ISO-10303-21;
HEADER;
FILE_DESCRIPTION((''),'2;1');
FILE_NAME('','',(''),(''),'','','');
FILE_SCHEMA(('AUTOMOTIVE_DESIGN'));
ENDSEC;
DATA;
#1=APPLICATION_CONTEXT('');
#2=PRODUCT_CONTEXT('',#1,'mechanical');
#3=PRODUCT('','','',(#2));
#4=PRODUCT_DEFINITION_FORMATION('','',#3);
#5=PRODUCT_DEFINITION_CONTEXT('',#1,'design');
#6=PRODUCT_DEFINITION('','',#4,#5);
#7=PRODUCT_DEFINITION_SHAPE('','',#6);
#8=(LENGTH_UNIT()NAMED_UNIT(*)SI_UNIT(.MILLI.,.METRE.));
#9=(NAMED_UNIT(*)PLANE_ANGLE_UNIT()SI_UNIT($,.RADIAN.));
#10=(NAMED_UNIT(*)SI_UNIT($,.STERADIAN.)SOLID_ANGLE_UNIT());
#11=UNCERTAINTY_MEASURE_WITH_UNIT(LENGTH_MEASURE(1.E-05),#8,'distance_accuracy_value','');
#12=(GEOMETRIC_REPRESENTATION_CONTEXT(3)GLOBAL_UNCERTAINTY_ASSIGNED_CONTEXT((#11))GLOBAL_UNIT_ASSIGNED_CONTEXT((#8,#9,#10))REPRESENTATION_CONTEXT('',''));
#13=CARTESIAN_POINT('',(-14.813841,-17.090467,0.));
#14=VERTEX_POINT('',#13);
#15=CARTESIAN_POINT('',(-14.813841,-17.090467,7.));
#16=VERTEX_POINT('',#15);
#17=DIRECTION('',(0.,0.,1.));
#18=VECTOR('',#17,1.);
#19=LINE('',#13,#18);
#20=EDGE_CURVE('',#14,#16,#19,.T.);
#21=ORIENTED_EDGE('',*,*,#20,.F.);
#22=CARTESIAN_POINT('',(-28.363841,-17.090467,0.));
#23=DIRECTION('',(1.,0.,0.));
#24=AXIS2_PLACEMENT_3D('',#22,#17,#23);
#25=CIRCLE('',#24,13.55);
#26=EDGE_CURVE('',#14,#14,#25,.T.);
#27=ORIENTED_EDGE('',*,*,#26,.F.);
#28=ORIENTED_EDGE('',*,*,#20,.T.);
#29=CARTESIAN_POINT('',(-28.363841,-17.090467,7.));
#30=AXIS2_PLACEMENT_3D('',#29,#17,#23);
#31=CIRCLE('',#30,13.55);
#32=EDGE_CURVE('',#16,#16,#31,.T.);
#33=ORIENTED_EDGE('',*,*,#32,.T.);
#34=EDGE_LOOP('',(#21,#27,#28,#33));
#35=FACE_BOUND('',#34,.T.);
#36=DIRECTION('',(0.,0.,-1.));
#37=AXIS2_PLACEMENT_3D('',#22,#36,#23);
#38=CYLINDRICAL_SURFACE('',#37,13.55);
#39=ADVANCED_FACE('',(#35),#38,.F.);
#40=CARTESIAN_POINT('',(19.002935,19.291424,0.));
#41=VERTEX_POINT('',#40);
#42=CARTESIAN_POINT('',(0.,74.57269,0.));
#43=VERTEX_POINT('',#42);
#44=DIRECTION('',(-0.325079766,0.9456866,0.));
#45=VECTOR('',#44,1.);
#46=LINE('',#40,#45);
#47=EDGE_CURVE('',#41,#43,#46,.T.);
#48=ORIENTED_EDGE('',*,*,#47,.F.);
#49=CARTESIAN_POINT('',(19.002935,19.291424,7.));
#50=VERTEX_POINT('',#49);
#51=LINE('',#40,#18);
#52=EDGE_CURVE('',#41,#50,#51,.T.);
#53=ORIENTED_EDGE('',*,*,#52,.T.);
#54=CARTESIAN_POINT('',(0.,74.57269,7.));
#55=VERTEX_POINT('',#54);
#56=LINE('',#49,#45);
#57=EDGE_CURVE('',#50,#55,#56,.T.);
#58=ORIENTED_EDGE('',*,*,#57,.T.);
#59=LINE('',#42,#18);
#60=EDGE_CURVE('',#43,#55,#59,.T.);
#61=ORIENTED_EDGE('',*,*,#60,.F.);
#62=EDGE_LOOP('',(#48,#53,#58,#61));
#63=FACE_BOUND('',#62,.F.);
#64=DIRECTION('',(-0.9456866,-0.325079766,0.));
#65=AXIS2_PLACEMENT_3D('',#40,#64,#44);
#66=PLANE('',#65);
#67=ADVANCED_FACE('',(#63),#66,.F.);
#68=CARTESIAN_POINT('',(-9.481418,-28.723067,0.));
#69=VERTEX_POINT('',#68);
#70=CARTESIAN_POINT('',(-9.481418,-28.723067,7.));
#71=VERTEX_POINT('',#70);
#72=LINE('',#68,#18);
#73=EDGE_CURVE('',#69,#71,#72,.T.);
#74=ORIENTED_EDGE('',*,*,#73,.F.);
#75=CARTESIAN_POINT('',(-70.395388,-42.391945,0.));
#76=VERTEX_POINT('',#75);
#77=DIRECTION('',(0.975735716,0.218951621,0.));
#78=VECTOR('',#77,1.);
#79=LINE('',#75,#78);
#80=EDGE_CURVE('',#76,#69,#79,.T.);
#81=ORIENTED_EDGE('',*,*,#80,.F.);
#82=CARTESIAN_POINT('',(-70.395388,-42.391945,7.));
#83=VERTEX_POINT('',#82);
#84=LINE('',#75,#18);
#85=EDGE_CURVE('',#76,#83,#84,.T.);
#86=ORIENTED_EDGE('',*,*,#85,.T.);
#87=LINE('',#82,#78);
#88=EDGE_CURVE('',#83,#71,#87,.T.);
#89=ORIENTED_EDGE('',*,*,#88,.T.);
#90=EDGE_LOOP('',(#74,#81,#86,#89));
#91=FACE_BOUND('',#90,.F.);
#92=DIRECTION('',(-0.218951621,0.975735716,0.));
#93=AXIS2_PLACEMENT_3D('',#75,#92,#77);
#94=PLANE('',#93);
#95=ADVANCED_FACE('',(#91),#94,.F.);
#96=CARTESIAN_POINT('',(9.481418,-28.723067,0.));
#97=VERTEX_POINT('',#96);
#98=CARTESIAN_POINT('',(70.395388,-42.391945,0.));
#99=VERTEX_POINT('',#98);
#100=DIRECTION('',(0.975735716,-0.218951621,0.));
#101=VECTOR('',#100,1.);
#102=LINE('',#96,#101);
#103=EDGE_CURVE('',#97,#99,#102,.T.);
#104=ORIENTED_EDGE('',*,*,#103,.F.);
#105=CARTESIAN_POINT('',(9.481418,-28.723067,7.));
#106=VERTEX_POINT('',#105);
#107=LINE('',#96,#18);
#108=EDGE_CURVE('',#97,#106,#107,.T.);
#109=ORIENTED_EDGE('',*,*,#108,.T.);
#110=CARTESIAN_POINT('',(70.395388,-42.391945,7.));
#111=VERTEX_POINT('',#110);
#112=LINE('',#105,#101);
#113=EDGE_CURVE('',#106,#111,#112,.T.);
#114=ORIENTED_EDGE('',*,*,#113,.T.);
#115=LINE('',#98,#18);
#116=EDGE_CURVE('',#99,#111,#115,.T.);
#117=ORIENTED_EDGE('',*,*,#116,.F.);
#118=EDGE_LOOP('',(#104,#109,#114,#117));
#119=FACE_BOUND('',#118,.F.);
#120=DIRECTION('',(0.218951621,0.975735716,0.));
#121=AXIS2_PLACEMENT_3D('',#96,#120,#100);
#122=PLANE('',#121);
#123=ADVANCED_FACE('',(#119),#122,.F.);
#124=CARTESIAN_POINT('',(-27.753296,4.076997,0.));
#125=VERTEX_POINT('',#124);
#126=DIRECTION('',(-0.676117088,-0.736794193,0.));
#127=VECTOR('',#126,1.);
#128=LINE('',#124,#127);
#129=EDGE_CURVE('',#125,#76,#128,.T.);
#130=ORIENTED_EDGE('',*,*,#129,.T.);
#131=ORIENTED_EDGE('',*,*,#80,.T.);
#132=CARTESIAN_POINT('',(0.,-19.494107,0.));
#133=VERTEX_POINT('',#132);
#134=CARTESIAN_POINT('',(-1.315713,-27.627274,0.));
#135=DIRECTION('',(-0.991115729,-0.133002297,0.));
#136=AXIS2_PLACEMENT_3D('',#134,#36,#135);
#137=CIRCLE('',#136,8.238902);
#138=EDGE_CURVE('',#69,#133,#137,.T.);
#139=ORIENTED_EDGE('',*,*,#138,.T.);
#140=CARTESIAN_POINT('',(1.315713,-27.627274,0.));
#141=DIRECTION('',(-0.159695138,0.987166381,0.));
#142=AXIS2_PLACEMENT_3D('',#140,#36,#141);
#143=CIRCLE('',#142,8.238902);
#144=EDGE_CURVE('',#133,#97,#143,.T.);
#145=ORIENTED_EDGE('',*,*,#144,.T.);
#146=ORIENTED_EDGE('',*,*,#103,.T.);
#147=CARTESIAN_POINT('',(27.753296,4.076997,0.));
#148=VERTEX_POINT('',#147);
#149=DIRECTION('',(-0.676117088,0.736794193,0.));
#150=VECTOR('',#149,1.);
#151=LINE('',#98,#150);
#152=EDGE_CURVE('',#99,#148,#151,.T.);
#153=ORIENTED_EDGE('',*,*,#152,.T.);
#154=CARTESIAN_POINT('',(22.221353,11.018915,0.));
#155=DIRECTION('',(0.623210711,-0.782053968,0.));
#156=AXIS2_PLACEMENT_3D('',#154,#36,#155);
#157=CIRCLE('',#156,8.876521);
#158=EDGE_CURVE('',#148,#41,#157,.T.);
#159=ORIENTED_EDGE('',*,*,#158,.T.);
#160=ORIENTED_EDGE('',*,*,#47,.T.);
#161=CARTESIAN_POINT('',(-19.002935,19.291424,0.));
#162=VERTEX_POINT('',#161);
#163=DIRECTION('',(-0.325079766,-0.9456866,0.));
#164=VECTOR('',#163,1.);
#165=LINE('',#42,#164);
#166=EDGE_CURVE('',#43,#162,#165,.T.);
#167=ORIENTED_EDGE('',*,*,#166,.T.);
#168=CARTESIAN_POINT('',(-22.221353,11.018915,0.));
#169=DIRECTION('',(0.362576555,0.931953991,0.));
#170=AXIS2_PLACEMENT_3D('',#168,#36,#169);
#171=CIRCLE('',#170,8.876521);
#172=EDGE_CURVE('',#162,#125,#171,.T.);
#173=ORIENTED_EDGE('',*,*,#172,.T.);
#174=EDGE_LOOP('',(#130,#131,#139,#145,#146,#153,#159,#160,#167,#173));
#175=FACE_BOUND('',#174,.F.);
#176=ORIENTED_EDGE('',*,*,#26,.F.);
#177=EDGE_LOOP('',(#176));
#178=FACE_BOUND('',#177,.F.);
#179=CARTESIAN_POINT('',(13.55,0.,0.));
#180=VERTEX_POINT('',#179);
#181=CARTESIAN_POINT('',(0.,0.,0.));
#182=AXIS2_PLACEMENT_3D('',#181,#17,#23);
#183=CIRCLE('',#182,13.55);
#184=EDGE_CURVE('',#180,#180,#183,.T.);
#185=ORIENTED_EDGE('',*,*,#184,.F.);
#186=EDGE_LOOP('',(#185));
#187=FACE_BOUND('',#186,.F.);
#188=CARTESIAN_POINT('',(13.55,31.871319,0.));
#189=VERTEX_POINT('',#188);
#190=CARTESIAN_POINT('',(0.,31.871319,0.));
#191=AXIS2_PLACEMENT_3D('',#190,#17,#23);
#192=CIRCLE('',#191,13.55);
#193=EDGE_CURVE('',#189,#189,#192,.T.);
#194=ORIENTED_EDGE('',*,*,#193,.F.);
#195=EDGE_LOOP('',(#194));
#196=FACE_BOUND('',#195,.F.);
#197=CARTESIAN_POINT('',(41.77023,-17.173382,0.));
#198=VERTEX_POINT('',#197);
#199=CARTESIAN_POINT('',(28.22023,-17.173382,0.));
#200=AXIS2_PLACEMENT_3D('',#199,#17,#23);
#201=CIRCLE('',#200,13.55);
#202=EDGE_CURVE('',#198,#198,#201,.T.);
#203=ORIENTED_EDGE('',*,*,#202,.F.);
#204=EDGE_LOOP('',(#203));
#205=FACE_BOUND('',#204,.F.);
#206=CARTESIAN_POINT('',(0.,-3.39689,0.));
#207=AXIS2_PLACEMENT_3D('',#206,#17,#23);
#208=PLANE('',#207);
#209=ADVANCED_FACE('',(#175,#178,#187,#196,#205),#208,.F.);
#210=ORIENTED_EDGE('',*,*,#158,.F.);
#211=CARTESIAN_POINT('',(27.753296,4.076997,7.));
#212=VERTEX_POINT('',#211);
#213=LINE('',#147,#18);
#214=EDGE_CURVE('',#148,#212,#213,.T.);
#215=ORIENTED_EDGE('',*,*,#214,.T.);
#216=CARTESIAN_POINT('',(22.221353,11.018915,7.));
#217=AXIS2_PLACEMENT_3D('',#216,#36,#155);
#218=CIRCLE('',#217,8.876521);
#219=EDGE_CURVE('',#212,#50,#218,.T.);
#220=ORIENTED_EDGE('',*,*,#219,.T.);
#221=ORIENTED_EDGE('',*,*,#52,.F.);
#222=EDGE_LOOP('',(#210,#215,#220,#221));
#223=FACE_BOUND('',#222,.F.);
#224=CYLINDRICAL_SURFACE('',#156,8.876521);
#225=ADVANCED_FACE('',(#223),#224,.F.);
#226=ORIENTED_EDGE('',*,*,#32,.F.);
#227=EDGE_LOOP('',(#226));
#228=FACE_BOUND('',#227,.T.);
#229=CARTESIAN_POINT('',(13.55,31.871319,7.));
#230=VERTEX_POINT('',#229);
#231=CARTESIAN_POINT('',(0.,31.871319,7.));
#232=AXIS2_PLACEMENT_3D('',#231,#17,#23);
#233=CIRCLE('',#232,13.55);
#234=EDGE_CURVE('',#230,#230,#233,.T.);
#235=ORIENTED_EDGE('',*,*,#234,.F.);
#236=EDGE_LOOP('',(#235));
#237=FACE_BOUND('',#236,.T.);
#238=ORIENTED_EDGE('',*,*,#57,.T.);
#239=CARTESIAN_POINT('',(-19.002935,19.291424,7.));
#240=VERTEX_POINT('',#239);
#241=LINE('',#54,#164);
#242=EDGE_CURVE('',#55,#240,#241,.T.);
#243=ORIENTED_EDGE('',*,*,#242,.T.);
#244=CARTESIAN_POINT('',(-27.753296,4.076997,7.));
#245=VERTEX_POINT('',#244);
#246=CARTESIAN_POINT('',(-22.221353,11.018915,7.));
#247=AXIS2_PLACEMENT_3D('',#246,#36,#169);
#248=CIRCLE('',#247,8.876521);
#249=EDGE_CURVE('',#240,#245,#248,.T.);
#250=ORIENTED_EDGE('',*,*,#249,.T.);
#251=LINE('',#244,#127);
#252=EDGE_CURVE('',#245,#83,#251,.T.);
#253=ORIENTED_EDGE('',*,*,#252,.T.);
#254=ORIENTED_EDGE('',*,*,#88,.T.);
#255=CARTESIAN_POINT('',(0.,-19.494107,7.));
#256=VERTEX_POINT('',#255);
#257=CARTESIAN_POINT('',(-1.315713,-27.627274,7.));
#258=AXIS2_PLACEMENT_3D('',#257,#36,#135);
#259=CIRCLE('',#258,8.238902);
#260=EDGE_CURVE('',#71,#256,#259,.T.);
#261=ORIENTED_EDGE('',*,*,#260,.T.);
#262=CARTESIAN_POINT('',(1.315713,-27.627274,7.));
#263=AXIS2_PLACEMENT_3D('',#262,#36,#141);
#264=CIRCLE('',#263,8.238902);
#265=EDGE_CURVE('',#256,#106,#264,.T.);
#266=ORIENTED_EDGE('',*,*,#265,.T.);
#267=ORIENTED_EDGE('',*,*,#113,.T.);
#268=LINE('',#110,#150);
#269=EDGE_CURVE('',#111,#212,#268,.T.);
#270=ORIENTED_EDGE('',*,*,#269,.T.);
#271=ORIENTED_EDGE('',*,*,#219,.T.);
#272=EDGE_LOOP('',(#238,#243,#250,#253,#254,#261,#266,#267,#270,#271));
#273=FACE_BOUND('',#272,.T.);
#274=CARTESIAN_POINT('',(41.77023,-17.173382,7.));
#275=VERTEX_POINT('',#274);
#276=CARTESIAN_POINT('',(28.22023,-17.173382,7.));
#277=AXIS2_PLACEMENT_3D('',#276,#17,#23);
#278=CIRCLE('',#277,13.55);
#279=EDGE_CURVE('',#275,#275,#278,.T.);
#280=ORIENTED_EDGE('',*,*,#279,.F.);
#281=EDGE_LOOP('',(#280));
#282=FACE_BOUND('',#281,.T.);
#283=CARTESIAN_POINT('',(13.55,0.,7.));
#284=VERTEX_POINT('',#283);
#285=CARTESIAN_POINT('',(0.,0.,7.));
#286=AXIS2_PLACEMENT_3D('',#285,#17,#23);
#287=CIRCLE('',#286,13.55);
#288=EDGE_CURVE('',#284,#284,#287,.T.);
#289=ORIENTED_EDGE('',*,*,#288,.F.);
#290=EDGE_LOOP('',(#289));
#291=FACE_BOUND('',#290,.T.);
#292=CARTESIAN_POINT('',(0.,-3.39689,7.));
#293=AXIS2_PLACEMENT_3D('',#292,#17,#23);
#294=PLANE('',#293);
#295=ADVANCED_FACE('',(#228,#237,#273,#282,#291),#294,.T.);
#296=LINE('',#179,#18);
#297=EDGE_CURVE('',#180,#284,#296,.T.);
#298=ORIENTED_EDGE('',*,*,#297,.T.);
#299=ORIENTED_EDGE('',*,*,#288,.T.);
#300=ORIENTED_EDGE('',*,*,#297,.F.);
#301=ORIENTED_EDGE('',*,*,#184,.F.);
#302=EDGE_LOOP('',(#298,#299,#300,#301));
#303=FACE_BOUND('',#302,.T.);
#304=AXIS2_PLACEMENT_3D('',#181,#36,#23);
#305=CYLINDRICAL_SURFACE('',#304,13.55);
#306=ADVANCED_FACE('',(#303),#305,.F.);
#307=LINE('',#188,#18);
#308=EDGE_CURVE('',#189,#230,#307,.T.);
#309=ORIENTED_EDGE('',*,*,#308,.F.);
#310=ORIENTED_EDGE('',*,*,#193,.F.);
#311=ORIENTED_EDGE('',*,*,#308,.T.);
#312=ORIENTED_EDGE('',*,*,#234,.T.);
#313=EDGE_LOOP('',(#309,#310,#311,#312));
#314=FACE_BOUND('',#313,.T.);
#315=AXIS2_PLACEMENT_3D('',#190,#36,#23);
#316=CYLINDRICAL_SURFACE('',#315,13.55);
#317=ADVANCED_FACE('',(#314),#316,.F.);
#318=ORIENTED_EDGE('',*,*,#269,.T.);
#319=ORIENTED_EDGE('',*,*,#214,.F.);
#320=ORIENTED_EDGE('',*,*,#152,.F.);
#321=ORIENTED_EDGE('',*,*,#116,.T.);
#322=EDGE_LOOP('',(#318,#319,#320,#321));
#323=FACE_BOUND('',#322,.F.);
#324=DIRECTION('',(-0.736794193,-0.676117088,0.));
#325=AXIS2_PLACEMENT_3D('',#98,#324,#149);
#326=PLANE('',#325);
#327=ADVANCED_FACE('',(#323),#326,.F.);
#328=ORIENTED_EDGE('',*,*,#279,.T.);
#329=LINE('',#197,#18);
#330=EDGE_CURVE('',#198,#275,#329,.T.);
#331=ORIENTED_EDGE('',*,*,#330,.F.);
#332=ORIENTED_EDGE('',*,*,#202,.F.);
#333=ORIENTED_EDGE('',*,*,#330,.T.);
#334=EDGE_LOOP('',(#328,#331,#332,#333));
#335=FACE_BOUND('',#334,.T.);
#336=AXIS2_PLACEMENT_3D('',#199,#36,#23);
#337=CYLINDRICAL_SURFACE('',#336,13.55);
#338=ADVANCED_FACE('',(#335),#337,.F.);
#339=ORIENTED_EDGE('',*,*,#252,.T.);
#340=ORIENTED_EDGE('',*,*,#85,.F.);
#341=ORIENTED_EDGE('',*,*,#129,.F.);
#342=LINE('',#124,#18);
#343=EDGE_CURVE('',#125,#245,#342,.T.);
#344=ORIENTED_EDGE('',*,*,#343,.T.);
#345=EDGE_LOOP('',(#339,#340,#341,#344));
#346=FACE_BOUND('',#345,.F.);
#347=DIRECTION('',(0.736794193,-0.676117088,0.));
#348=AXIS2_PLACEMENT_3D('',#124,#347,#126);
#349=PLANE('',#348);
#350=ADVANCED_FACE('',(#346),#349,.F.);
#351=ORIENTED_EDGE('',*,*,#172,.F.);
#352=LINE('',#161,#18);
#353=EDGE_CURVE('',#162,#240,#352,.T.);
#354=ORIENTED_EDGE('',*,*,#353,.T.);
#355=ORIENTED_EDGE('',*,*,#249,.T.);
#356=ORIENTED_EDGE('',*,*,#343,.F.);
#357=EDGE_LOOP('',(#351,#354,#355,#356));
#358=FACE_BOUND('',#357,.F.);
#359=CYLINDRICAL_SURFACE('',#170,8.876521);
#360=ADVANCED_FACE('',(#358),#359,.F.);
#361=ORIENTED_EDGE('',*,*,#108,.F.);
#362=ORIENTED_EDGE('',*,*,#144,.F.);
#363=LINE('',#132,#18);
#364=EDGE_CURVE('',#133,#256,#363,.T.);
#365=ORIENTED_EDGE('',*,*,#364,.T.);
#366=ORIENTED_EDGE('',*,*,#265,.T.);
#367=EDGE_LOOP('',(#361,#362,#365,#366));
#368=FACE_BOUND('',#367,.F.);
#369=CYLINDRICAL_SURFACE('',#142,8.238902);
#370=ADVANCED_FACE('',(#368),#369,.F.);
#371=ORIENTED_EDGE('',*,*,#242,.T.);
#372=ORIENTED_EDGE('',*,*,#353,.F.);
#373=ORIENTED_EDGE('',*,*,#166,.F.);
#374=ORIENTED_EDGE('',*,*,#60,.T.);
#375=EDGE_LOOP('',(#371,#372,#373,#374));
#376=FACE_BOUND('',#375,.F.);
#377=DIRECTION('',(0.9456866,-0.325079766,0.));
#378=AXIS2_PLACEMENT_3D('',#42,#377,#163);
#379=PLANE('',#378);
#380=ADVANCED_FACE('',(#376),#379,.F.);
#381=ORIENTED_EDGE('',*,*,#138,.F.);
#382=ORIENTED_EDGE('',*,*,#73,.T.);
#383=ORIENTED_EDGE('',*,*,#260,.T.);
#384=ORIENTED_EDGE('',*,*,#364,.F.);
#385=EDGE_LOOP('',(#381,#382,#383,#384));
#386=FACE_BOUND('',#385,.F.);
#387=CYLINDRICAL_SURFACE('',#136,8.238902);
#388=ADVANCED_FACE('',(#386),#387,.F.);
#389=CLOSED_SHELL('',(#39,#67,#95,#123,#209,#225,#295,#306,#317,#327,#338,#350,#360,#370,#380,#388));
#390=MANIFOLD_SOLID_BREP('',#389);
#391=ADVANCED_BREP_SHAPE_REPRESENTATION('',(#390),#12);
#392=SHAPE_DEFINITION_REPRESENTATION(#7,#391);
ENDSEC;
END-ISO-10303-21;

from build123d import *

# Parameters (mm, degrees)
F0_R     = 13.55
F1_DEPTH = 7


with BuildPart() as f1:
    # F0 (on Top) → F1 (new body)
    with BuildSketch(Plane.XY):
        with BuildLine():
            ThreePointArc((-19.002935, 19.291424), (-14.526693, 6.593441), (-27.753296, 4.076997))
            Line((-27.753296, 4.076997), (-70.395388, -42.391945))
            Line((-70.395388, -42.391945), (-9.481418, -28.723067))
            ThreePointArc((-9.481418, -28.723067), (-7.062366, -21.723421), (0, -19.494107))
            ThreePointArc((0, -19.494107), (7.062366, -21.723421), (9.481418, -28.723067))
            Line((9.481418, -28.723067), (70.395388, -42.391945))
            Line((70.395388, -42.391945), (27.753296, 4.076997))
            ThreePointArc((27.753296, 4.076997), (14.526693, 6.593441), (19.002935, 19.291424))
            Line((19.002935, 19.291424), (0, 74.57269))
            Line((0, 74.57269), (-19.002935, 19.291424))
        make_face()
        with Locations((-28.363841, -17.090467)):
            Circle(F0_R, mode=Mode.SUBTRACT)
        with Locations((28.22023, -17.173382)):
            Circle(F0_R, mode=Mode.SUBTRACT)
        Circle(F0_R, mode=Mode.SUBTRACT)
        with Locations((0, 31.871319)):
            Circle(F0_R, mode=Mode.SUBTRACT)
    extrude(amount=F1_DEPTH)


solid = f1.part
